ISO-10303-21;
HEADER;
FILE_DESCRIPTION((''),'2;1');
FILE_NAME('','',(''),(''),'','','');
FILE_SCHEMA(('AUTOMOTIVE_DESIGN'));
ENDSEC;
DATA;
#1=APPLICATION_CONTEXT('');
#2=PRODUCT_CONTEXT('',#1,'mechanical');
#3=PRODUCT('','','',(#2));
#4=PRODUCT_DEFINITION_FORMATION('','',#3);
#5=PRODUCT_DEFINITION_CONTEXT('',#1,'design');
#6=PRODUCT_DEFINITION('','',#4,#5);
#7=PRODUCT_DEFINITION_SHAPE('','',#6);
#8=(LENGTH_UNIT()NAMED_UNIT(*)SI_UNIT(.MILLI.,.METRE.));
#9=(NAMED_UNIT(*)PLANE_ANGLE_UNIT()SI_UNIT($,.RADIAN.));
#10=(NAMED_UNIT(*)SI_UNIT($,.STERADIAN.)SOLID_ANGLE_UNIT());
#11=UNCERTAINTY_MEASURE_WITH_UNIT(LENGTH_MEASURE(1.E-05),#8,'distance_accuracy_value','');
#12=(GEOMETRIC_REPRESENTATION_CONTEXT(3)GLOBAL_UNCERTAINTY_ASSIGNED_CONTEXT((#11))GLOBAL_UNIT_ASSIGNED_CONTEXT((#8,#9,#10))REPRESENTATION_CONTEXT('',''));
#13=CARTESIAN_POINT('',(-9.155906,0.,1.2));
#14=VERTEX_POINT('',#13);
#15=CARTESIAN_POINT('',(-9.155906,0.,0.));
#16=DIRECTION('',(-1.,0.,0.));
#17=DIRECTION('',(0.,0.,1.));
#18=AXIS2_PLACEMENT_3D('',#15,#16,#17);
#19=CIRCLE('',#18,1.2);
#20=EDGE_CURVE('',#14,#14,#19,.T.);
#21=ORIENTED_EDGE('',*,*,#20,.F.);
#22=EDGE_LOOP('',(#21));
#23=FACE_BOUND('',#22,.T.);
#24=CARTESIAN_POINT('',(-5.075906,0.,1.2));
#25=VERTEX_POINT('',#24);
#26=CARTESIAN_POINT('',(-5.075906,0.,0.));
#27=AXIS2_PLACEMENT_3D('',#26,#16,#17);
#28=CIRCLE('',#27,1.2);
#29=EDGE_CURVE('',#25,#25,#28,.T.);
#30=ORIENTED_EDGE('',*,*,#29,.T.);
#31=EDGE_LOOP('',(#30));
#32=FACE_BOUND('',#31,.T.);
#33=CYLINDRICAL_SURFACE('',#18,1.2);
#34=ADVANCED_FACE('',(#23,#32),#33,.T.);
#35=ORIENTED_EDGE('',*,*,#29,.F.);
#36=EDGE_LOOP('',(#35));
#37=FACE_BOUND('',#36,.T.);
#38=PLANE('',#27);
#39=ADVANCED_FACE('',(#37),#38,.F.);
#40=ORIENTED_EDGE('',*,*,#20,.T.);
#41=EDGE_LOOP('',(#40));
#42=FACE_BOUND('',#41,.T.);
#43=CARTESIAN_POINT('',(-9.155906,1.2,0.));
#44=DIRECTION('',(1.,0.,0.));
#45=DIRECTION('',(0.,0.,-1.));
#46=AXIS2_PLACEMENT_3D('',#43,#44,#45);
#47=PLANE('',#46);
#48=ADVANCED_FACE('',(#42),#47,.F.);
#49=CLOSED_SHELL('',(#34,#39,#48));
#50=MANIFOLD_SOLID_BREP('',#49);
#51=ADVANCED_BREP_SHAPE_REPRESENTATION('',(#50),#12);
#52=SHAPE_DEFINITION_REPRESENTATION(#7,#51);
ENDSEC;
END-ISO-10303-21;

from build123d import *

# Parameters (mm, degrees)
SKETCH2_W = 4.08
SKETCH2_H = 1.2


with BuildPart() as part:
    # Sketch2 → Revolve1 (revolve)
    with BuildSketch(Plane.XY, mode=Mode.PRIVATE) as revolve1_sk:
        with Locations((-7.115905512, 0.6)):
            Rectangle(SKETCH2_W, SKETCH2_H)
    revolve(revolve1_sk.sketch.rotate(Axis((-9.155905512, 0, 0), (1, 0, 0)), 90), axis=Axis((-9.155905512, 0, 0), (1, 0, 0)))


solid = part.part
